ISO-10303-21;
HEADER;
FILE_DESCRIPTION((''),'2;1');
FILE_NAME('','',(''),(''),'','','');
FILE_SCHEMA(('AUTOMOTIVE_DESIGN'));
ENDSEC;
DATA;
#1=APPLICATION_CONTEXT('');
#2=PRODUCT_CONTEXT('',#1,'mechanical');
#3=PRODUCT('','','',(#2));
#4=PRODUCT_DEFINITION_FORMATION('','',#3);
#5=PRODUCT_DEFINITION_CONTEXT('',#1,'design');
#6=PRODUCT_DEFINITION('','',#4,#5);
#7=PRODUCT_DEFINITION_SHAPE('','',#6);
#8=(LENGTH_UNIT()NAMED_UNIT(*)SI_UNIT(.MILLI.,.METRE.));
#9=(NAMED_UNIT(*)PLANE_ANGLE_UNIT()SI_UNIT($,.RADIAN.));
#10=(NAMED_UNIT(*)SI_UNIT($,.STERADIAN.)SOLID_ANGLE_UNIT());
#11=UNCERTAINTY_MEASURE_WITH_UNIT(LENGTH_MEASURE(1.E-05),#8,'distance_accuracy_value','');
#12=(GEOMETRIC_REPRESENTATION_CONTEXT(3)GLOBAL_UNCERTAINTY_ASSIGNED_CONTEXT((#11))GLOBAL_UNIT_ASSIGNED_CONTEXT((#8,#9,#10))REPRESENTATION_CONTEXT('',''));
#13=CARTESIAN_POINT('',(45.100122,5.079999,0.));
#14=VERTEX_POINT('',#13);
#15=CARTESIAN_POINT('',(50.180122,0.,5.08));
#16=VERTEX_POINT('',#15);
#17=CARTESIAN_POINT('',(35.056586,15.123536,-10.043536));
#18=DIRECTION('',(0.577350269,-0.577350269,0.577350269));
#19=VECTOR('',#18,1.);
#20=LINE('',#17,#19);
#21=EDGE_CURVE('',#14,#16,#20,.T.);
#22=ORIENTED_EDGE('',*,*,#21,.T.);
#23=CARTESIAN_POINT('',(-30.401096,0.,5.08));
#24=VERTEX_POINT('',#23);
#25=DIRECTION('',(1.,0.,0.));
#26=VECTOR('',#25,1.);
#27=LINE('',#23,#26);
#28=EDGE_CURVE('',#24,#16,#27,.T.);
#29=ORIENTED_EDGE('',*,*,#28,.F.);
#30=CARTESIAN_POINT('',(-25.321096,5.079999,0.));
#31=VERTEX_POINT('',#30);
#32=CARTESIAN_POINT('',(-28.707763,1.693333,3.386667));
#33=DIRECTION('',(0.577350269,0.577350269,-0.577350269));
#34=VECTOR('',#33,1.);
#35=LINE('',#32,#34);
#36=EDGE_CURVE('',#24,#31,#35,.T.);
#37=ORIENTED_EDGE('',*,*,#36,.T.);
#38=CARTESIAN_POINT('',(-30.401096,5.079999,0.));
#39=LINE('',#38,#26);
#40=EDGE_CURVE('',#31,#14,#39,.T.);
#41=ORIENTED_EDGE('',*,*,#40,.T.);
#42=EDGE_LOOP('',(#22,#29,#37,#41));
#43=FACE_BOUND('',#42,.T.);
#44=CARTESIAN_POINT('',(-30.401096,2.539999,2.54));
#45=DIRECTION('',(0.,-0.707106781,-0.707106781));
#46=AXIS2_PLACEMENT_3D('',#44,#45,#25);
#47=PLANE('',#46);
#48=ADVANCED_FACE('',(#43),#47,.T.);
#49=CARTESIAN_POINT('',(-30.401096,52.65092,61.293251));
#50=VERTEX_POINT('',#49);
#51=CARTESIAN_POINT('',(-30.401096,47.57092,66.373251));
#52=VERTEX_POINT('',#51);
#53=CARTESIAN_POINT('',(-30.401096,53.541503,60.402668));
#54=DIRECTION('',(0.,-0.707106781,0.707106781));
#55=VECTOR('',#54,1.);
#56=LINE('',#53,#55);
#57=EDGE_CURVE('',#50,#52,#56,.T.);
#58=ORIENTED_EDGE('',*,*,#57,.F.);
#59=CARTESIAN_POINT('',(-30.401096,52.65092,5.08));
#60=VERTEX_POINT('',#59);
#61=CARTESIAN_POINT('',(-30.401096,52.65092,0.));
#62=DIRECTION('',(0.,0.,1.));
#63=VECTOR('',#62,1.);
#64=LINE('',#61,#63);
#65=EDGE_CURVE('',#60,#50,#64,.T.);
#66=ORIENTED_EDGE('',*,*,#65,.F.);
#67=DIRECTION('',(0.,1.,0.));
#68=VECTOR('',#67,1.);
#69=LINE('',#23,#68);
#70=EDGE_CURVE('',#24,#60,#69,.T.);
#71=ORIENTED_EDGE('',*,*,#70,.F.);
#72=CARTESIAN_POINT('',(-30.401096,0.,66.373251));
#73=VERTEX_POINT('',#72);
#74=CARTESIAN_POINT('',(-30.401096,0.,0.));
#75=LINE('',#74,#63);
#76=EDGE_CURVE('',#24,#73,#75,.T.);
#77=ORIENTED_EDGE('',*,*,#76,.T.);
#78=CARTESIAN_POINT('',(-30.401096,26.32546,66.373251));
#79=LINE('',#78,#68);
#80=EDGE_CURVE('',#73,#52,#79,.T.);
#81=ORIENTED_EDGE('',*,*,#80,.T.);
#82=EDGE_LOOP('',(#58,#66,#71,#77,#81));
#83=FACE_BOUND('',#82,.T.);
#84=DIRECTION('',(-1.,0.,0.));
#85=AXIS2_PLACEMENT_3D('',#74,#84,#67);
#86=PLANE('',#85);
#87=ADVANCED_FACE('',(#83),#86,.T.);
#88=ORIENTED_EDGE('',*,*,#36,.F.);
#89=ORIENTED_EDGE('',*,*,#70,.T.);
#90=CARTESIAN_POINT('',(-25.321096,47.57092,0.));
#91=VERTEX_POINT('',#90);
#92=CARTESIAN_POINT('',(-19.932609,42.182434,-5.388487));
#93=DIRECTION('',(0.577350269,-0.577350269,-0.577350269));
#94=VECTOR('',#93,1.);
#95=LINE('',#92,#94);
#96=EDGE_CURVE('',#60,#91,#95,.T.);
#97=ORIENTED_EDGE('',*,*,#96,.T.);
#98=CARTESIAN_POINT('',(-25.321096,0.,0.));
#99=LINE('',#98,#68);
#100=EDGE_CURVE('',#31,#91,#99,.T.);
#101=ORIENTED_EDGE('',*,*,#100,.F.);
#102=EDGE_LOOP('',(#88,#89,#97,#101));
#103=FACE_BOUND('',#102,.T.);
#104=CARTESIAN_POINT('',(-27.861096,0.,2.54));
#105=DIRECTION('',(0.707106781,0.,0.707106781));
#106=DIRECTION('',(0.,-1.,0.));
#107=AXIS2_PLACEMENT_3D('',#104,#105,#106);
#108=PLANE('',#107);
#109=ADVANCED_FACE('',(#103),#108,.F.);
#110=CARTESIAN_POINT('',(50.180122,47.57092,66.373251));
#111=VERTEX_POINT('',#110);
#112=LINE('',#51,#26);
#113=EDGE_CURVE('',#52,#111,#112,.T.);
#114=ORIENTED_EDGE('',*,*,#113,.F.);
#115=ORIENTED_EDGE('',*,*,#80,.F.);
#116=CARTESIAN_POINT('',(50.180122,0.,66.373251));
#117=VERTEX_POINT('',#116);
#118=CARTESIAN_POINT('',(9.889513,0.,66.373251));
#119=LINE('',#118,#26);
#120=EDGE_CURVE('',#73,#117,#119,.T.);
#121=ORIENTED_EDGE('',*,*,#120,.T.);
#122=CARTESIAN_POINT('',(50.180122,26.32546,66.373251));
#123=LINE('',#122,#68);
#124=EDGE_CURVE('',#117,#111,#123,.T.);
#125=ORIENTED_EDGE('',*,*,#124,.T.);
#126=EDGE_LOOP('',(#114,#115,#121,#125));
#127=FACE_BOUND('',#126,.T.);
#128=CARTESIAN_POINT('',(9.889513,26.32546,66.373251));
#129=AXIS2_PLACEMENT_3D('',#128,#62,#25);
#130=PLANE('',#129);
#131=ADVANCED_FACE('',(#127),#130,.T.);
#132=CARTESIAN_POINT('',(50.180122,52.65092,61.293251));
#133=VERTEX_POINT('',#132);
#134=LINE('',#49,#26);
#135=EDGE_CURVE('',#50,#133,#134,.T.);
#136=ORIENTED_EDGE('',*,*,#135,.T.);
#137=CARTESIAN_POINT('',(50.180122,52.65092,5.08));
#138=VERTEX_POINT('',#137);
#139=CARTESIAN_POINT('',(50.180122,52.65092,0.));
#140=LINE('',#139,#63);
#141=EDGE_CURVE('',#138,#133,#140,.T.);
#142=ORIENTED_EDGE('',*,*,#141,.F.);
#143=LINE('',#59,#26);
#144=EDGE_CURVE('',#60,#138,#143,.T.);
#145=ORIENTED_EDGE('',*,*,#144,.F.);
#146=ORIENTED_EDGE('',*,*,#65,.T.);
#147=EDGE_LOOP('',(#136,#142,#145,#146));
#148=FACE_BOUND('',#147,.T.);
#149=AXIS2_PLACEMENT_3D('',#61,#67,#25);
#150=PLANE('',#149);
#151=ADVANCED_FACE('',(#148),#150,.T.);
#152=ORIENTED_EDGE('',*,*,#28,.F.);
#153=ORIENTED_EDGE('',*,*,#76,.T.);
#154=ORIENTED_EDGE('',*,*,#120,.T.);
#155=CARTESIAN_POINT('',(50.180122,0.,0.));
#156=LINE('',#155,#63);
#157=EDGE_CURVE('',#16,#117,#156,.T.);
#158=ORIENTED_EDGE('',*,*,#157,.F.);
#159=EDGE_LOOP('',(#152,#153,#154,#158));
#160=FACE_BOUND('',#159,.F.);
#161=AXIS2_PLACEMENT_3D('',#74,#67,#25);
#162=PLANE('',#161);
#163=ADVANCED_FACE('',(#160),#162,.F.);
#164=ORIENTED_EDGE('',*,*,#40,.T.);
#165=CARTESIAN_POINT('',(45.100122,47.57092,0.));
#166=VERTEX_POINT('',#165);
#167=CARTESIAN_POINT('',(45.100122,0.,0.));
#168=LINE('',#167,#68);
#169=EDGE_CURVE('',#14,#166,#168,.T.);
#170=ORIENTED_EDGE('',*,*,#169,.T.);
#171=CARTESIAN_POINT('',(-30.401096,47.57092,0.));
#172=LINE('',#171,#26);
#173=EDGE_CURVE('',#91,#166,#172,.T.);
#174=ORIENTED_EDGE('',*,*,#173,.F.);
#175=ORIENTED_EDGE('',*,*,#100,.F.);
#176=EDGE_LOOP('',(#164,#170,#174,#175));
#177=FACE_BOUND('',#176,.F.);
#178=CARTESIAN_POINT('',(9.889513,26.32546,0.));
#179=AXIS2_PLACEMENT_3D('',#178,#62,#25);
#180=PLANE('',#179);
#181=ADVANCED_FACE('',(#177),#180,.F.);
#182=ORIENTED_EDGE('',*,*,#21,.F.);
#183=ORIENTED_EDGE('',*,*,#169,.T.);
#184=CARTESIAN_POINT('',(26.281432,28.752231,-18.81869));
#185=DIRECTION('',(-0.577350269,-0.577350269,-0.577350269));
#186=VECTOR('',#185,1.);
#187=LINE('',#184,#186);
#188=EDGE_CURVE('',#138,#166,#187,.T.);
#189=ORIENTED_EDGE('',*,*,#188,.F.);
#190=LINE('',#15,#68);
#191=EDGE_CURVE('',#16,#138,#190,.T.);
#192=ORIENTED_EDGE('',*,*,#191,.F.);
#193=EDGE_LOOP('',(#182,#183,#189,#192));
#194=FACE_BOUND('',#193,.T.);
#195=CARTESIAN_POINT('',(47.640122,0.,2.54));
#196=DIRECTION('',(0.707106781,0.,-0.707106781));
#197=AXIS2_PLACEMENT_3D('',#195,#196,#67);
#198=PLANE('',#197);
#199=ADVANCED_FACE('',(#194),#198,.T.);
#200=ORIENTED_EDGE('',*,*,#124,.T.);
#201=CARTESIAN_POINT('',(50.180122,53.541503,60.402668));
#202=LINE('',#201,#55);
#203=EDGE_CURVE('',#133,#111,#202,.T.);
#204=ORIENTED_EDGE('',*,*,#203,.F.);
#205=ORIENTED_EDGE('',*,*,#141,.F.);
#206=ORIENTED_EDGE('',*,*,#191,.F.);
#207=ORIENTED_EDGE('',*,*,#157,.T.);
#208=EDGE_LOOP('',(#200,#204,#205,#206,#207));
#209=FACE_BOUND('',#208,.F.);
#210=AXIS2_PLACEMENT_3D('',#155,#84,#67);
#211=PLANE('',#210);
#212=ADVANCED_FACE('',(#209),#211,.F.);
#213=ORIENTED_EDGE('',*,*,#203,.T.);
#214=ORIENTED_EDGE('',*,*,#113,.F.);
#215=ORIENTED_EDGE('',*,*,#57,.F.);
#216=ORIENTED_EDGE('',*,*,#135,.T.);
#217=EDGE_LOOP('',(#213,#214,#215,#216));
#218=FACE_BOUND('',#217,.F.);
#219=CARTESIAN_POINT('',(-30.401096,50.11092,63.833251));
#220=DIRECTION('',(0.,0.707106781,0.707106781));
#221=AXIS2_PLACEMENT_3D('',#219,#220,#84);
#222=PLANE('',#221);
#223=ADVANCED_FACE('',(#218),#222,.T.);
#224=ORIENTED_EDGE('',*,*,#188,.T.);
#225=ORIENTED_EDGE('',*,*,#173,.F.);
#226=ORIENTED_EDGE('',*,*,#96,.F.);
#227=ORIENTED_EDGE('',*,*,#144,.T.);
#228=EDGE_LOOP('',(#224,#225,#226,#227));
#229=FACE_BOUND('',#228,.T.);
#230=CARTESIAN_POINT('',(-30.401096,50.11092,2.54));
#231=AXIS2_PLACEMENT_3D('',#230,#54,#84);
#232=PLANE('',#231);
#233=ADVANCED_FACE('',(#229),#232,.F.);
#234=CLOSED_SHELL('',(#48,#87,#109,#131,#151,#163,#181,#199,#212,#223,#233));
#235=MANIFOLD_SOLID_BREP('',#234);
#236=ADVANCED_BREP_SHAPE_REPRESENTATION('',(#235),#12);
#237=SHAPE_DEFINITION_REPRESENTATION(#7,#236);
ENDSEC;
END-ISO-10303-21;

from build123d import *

# Parameters (mm, degrees)
F0_W     = 80.581218
F0_H     = 52.650921
F1_DEPTH = 66.373251
F2_SIZE  = 5.08
F3_SIZE  = 5.08


with BuildPart() as f1:
    # F0 (on Top) → F1 (new body)
    with BuildSketch(Plane.XY):
        with Locations((9.889513, 26.32546)):
            Rectangle(F0_W, F0_H)
    extrude(amount=F1_DEPTH)

    # F2
    f2_edges = [f1.edges().sort_by_distance(p)[0] for p in [
        (9.889513, 52.650921, 66.373251),
    ]]
    chamfer(f2_edges, length=F2_SIZE)

    # F3
    f3_edges = [f1.edges().sort_by_distance(p)[0] for p in [
        (9.889513, 52.650921, 0),
        (-30.401096, 26.325461, 0),
        (9.889513, 0, 0),
        (50.180122, 26.325461, 0),
    ]]
    chamfer(f3_edges, length=F3_SIZE)


solid = f1.part
